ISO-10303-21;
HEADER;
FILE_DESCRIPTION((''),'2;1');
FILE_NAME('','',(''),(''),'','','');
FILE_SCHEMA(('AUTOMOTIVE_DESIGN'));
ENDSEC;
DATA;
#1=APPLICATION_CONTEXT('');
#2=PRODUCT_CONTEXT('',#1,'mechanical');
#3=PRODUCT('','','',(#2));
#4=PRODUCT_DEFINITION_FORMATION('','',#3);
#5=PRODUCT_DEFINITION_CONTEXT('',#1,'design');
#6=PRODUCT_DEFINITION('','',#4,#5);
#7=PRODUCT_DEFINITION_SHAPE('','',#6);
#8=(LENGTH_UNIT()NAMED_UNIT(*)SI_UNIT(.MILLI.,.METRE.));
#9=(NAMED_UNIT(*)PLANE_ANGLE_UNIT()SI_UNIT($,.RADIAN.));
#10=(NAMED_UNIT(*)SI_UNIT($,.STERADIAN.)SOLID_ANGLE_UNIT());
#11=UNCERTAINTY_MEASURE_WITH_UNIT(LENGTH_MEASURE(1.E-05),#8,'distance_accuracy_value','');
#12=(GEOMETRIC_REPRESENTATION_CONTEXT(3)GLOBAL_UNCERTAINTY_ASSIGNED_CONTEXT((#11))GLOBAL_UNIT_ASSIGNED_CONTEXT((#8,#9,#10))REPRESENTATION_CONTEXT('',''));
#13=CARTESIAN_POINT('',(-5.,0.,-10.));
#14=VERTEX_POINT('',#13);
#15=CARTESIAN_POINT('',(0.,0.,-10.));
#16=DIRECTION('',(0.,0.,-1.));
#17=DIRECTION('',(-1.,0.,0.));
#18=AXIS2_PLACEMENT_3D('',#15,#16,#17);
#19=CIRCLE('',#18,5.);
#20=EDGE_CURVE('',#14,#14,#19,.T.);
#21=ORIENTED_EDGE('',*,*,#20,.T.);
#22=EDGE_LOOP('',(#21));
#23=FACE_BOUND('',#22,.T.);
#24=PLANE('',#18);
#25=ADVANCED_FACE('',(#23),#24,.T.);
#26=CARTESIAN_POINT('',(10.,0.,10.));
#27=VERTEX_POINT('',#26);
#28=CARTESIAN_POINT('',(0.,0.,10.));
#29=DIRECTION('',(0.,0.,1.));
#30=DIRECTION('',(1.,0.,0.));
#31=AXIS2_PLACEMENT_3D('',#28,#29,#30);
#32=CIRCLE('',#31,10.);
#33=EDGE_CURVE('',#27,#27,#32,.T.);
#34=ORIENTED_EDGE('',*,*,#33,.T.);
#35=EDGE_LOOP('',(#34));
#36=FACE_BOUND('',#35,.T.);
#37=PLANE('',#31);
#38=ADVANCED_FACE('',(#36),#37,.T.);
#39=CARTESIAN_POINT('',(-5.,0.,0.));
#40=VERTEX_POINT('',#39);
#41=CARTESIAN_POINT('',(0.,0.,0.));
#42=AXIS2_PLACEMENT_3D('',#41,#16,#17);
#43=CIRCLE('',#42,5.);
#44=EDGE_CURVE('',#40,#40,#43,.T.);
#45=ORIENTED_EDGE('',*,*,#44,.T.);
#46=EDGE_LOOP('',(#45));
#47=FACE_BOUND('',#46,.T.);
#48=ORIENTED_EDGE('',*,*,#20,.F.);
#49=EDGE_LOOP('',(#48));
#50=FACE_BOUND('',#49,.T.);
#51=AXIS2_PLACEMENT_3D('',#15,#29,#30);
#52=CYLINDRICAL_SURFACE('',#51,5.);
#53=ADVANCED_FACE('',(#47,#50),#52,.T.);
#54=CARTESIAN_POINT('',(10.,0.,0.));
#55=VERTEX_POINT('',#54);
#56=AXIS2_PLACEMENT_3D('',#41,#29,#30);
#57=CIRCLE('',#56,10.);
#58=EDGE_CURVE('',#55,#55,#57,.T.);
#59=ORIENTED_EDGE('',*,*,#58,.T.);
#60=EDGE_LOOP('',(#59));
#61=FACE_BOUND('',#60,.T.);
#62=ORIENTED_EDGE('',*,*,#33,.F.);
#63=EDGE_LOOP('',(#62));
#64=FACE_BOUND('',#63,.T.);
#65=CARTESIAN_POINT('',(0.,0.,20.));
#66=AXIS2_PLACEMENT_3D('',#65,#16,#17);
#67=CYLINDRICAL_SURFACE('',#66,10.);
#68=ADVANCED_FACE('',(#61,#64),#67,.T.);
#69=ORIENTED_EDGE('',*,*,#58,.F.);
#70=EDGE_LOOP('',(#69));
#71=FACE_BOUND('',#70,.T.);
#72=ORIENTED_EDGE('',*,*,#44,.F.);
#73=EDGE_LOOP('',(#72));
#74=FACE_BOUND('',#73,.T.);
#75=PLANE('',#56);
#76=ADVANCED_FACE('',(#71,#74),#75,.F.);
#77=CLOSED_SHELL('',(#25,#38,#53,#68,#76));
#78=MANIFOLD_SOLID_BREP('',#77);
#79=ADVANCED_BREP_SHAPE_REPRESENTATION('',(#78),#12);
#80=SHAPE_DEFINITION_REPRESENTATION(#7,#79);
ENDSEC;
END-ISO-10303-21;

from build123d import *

# Parameters (mm, degrees)
SKETCH1_R           = 10
BOSS_EXTRUDE1_DEPTH = 20
SKETCH2_R           = 5
BOSS_EXTRUDE2_DEPTH = 10
SKETCH3_R           = 10
CUT_EXTRUDE1_DEPTH  = 10


with BuildPart() as part:
    # Sketch1 → Boss-Extrude1 (new body)
    with BuildSketch(Plane.XY):
        Circle(SKETCH1_R)
    extrude(amount=BOSS_EXTRUDE1_DEPTH)

    # Sketch2 → Boss-Extrude2 (add)
    with BuildSketch(Plane(origin=(0, 0, 0), x_dir=(-1, 0, 0), z_dir=(0, 0, -1))):
        Circle(SKETCH2_R)
    extrude(amount=BOSS_EXTRUDE2_DEPTH)

    # Sketch3 → Cut-Extrude1 (cut)
    with BuildSketch(Plane.XY.offset(20)):
        Circle(SKETCH3_R)
    extrude(amount=-CUT_EXTRUDE1_DEPTH, mode=Mode.SUBTRACT)


solid = part.part
